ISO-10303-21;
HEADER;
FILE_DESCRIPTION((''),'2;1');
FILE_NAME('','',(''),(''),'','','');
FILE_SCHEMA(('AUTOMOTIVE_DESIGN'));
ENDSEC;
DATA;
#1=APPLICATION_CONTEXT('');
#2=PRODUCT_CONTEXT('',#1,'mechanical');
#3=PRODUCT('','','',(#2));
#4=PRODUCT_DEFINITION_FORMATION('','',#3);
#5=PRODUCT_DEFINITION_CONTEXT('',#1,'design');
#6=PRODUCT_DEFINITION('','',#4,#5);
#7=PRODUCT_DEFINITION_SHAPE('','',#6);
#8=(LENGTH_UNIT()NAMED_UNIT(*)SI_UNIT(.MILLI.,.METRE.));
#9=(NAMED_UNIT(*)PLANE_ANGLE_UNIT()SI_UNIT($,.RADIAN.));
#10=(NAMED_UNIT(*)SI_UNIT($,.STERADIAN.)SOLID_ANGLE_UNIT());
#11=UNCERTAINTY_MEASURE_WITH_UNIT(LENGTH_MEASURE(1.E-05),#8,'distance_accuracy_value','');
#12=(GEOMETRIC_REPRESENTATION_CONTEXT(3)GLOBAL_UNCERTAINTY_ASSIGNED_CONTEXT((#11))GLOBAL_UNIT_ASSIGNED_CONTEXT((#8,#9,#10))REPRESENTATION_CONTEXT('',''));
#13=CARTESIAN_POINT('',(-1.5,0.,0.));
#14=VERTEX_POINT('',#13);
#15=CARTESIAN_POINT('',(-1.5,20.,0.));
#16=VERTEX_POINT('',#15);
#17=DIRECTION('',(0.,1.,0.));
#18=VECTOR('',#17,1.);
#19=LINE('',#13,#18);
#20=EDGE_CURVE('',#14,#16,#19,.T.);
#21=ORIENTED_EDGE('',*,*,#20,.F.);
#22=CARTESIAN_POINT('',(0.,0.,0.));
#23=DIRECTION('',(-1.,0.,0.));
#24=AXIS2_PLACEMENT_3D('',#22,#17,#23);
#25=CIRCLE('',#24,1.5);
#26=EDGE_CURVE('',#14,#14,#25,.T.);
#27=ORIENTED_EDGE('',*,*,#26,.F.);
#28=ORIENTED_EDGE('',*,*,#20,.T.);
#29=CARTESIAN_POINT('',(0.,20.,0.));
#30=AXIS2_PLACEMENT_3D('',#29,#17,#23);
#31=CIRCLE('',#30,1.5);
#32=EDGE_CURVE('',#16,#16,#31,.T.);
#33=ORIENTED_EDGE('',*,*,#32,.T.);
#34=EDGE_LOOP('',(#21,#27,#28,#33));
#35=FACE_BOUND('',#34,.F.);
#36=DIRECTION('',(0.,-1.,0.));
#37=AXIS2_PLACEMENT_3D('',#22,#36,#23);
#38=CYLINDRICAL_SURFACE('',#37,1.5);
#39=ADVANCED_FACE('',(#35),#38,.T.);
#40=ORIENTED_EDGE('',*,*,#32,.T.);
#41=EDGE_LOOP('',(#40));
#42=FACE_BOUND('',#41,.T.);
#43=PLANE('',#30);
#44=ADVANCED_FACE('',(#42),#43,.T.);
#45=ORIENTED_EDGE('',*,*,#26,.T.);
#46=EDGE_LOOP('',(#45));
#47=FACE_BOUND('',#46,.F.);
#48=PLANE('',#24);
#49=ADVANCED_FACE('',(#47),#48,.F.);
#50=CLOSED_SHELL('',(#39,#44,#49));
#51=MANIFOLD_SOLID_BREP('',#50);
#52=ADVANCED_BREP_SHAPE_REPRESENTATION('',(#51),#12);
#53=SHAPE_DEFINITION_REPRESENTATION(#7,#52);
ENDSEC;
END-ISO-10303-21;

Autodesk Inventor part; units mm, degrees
ref_plane "YZ Plane" through (0, 0, 0) normal (1, 0, 0) x (0, 1, 0)
ref_plane "XZ Plane" through (0, 0, 0) normal (0, 1, 0) x (-1, 0, 0)
ref_plane "XY Plane" through (0, 0, 0) normal (0, 0, 1) x (1, 0, 0)
sketch "Sketch1" plane through (0, 0, 0) normal (1, 0, 0) x (0, 1, 0)
  point P0 (0, 0)
sketch "Sketch2" plane through (0, 0, 0) normal (0, 1, 0) x (-1, 0, 0)
  circle A0 centre (0, 0) radius 1.5
  dimension "d0" = 3
extrude "Extrusion1" add sketch "Sketch2" along normal blind 20
properties part number "staafje"
